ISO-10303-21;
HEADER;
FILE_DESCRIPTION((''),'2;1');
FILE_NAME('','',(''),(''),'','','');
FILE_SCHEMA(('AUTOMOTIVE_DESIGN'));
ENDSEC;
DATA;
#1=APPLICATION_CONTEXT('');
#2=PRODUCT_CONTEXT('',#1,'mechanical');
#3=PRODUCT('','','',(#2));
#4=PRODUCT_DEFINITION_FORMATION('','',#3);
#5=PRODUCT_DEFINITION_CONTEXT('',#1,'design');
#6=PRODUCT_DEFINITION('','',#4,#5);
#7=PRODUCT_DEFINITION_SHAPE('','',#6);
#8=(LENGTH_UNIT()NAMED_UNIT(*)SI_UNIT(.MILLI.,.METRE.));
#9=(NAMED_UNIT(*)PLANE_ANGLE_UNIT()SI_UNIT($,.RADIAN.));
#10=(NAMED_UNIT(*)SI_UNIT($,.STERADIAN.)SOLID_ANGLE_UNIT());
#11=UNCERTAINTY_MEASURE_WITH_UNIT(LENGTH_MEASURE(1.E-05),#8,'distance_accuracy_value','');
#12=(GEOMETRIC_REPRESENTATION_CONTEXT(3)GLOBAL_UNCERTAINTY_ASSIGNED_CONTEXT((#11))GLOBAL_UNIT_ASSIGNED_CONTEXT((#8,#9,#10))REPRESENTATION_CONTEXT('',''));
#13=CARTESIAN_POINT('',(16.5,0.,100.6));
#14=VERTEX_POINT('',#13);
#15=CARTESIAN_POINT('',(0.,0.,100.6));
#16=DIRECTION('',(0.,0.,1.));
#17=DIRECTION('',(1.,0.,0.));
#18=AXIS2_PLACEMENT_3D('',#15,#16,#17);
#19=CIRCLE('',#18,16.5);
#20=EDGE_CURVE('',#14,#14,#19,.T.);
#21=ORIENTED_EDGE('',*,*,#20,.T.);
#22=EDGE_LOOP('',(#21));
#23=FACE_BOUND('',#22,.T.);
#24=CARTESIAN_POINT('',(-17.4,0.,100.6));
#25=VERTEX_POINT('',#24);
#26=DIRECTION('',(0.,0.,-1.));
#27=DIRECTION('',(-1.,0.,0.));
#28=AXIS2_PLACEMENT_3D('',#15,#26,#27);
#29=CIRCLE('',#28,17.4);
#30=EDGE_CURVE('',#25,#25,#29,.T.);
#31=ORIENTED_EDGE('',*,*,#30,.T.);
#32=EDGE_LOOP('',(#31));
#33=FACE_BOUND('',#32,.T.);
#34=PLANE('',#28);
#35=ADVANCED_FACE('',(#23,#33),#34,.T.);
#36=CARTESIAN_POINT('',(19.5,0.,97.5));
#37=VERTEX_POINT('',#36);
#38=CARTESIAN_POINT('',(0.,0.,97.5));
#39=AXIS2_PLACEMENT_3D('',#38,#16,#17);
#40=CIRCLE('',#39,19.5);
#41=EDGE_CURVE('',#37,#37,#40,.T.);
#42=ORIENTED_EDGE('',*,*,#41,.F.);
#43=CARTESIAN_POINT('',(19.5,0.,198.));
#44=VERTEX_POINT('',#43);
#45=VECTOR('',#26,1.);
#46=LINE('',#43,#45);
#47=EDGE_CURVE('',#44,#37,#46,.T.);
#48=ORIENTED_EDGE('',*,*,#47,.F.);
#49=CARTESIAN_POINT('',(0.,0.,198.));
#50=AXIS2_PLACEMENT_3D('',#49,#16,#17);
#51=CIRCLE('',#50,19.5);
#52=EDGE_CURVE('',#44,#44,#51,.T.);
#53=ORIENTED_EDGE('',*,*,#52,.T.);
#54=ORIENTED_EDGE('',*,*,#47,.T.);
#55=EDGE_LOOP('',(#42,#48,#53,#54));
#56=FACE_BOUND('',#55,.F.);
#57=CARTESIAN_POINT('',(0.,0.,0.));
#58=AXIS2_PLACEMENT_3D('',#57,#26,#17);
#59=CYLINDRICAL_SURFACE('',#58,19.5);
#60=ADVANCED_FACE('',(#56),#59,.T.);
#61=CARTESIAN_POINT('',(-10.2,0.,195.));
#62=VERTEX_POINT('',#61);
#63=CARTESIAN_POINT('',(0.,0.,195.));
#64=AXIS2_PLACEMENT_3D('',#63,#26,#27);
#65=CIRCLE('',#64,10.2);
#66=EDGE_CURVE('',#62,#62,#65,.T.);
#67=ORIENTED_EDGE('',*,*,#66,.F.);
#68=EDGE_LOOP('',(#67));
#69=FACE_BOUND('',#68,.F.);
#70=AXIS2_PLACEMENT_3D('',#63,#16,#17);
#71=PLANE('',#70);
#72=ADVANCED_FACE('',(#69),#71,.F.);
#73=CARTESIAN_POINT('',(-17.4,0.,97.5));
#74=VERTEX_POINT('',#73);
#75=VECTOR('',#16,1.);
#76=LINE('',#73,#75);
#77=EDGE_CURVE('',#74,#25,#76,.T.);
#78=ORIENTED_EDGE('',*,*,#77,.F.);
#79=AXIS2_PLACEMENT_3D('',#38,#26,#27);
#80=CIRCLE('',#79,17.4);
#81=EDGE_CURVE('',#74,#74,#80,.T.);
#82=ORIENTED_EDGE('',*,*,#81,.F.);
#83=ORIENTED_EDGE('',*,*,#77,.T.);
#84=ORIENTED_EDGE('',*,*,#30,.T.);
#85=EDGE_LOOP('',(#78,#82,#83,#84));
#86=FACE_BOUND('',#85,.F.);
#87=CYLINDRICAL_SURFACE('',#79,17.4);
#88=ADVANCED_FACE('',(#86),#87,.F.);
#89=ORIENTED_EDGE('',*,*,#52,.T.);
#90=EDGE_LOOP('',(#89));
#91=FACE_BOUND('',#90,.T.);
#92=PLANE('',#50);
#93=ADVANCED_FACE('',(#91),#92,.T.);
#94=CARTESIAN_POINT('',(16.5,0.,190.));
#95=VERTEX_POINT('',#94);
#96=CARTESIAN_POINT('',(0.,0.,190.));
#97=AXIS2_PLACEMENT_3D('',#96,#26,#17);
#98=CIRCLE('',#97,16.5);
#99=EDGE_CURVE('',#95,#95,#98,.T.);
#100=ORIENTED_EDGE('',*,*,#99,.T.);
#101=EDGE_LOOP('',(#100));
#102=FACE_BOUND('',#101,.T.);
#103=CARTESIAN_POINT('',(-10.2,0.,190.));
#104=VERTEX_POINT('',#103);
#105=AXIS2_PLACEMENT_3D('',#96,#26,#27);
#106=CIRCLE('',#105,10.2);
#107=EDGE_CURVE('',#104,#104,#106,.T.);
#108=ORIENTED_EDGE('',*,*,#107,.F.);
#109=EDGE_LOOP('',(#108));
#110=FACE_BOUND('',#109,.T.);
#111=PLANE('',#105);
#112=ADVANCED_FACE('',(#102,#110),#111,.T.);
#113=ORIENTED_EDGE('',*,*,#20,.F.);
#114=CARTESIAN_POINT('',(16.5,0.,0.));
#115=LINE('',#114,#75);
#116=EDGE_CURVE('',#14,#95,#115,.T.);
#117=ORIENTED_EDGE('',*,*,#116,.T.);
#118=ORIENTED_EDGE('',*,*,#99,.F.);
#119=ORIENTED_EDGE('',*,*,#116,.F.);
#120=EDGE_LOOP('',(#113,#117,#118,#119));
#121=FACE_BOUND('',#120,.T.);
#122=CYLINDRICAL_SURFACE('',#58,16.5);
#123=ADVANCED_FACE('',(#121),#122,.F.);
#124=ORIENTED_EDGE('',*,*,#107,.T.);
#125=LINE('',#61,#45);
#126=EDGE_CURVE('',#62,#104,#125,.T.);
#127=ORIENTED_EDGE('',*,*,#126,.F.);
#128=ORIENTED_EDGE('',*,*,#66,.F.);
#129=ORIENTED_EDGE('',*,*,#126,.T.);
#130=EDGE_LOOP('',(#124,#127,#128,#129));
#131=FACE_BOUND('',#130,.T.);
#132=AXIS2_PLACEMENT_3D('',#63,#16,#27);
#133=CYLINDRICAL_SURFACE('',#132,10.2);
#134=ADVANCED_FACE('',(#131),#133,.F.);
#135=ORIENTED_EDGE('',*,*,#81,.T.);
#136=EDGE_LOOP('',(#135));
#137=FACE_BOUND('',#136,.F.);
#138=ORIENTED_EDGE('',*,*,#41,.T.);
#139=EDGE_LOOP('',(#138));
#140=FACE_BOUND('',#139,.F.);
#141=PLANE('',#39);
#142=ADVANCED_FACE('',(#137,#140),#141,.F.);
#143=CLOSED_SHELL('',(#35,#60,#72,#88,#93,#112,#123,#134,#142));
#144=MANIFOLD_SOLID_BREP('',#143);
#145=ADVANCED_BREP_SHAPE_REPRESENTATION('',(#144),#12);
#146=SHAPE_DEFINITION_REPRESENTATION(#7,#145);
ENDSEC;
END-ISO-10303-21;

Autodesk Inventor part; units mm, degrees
ref_plane "YZ Plane" through (0, 0, 0) normal (1, 0, 0) x (0, 1, 0)
ref_plane "XZ Plane" through (0, 0, 0) normal (0, 1, 0) x (-1, 0, 0)
ref_plane "XY Plane" through (0, 0, 0) normal (0, 0, 1) x (1, 0, 0)
sketch "Sketch1" plane through (0, 0, 0) normal (0, 0, 1) x (1, 0, 0)
  circle A0 centre (0, 0) radius 16.5
  circle A1 centre (0, 0) radius 19.5
  dimension "d0" = 33
  dimension "d1" = 39
extrude "Extrusion1" add sketch "Sketch1" along normal blind 195
ref_plane "Work Plane1" through (0, 0, 97.5) normal (0, 0, 1) x (1, 0, 0)
sketch "Sketch2" plane through (0, 0, 195) normal (0, 0, 1) x (1, 0, 0)
  circle A0 centre (0, 0) radius 19.5 projected
extrude "Extrusion2" add sketch "Sketch2" along normal blind 3
mirror "Mirror1" about plane through (0, 0, 97.5) normal (0, 0, 1) of "Extrusion2"
sketch "Sketch5" plane through (0, 0, -3) normal (0, 0, -1) x (-1, 0, 0)
  circle A0 centre (0, 0) radius 11
  dimension "d12" = 22
extrude "Extrusion5" cut sketch "Sketch5" against normal blind 10
sketch "Sketch6" plane through (0, 0, 0) normal (1, 0, 0) x (0, 1, 0)
  line L0 (11, -3) -> (-11, -3) projected
  line L1 (-11, 0) -> (11, 0) projected
  line L2 (11, 0) -> (-11, 0)
  line L3 (-11, 0) -> (-11, -3)
  line L4 (-11, -3) -> (11, -3)
  line L5 (11, -3) -> (11, 0)
  point P0 (0, 0)
extrude "Extrusion6" cut sketch "Sketch6" along normal through all
sketch "Sketch7" plane through (0, 0, 0) normal (1, 0, 0) x (0, 1, 0)
  line L0 (-16.5, 0) -> (16.5, 0) projected
  line L1 (16.5, 0) -> (-16, 0)
  line L2 (-16, 0) -> (-16, 7)
  line L3 (-16, 7) -> (16.5, 7)
  line L4 (16.5, 7) -> (16.5, 0)
  point P0 (0, 0)
  point P1 (-11, 0)
  point P2 (11, 0)
  dimension "d17" = 7
extrude "Extrusion7" cut sketch "Sketch7" along normal through all
sketch "Sketch8" plane through (0, 0, 195) normal (0, 0, -1) x (-1, 0, 0)
  circle A0 centre (0, 0) radius 10.2
  circle A1 centre (0, 0) radius 19.5
  circle A2 centre (0, 0) radius 19.5 projected
  dimension "d20" = 20.4
extrude "Extrusion8" add sketch "Sketch8" along normal blind 5
sketch "Sketch9" plane through (0, 0, 97.5) normal (0, 0, 1) x (1, 0, 0)
  circle A0 centre (0, 0) radius 19.5 projected
extrude "Extrusion9" cut sketch "Sketch9" against normal through all
sketch "Sketch10" plane through (0, 0, 97.5) normal (0, 0, -1) x (-1, 0, 0)
  circle A0 centre (0, 0) radius 16.5
  circle A1 centre (0, 0) radius 17.4
  dimension "d25" = 33
  dimension "d26" = 0.9
extrude "Extrusion10" cut sketch "Sketch10" against normal blind 3.1
properties part number "Magazine_Tube_1_3DPrint"
